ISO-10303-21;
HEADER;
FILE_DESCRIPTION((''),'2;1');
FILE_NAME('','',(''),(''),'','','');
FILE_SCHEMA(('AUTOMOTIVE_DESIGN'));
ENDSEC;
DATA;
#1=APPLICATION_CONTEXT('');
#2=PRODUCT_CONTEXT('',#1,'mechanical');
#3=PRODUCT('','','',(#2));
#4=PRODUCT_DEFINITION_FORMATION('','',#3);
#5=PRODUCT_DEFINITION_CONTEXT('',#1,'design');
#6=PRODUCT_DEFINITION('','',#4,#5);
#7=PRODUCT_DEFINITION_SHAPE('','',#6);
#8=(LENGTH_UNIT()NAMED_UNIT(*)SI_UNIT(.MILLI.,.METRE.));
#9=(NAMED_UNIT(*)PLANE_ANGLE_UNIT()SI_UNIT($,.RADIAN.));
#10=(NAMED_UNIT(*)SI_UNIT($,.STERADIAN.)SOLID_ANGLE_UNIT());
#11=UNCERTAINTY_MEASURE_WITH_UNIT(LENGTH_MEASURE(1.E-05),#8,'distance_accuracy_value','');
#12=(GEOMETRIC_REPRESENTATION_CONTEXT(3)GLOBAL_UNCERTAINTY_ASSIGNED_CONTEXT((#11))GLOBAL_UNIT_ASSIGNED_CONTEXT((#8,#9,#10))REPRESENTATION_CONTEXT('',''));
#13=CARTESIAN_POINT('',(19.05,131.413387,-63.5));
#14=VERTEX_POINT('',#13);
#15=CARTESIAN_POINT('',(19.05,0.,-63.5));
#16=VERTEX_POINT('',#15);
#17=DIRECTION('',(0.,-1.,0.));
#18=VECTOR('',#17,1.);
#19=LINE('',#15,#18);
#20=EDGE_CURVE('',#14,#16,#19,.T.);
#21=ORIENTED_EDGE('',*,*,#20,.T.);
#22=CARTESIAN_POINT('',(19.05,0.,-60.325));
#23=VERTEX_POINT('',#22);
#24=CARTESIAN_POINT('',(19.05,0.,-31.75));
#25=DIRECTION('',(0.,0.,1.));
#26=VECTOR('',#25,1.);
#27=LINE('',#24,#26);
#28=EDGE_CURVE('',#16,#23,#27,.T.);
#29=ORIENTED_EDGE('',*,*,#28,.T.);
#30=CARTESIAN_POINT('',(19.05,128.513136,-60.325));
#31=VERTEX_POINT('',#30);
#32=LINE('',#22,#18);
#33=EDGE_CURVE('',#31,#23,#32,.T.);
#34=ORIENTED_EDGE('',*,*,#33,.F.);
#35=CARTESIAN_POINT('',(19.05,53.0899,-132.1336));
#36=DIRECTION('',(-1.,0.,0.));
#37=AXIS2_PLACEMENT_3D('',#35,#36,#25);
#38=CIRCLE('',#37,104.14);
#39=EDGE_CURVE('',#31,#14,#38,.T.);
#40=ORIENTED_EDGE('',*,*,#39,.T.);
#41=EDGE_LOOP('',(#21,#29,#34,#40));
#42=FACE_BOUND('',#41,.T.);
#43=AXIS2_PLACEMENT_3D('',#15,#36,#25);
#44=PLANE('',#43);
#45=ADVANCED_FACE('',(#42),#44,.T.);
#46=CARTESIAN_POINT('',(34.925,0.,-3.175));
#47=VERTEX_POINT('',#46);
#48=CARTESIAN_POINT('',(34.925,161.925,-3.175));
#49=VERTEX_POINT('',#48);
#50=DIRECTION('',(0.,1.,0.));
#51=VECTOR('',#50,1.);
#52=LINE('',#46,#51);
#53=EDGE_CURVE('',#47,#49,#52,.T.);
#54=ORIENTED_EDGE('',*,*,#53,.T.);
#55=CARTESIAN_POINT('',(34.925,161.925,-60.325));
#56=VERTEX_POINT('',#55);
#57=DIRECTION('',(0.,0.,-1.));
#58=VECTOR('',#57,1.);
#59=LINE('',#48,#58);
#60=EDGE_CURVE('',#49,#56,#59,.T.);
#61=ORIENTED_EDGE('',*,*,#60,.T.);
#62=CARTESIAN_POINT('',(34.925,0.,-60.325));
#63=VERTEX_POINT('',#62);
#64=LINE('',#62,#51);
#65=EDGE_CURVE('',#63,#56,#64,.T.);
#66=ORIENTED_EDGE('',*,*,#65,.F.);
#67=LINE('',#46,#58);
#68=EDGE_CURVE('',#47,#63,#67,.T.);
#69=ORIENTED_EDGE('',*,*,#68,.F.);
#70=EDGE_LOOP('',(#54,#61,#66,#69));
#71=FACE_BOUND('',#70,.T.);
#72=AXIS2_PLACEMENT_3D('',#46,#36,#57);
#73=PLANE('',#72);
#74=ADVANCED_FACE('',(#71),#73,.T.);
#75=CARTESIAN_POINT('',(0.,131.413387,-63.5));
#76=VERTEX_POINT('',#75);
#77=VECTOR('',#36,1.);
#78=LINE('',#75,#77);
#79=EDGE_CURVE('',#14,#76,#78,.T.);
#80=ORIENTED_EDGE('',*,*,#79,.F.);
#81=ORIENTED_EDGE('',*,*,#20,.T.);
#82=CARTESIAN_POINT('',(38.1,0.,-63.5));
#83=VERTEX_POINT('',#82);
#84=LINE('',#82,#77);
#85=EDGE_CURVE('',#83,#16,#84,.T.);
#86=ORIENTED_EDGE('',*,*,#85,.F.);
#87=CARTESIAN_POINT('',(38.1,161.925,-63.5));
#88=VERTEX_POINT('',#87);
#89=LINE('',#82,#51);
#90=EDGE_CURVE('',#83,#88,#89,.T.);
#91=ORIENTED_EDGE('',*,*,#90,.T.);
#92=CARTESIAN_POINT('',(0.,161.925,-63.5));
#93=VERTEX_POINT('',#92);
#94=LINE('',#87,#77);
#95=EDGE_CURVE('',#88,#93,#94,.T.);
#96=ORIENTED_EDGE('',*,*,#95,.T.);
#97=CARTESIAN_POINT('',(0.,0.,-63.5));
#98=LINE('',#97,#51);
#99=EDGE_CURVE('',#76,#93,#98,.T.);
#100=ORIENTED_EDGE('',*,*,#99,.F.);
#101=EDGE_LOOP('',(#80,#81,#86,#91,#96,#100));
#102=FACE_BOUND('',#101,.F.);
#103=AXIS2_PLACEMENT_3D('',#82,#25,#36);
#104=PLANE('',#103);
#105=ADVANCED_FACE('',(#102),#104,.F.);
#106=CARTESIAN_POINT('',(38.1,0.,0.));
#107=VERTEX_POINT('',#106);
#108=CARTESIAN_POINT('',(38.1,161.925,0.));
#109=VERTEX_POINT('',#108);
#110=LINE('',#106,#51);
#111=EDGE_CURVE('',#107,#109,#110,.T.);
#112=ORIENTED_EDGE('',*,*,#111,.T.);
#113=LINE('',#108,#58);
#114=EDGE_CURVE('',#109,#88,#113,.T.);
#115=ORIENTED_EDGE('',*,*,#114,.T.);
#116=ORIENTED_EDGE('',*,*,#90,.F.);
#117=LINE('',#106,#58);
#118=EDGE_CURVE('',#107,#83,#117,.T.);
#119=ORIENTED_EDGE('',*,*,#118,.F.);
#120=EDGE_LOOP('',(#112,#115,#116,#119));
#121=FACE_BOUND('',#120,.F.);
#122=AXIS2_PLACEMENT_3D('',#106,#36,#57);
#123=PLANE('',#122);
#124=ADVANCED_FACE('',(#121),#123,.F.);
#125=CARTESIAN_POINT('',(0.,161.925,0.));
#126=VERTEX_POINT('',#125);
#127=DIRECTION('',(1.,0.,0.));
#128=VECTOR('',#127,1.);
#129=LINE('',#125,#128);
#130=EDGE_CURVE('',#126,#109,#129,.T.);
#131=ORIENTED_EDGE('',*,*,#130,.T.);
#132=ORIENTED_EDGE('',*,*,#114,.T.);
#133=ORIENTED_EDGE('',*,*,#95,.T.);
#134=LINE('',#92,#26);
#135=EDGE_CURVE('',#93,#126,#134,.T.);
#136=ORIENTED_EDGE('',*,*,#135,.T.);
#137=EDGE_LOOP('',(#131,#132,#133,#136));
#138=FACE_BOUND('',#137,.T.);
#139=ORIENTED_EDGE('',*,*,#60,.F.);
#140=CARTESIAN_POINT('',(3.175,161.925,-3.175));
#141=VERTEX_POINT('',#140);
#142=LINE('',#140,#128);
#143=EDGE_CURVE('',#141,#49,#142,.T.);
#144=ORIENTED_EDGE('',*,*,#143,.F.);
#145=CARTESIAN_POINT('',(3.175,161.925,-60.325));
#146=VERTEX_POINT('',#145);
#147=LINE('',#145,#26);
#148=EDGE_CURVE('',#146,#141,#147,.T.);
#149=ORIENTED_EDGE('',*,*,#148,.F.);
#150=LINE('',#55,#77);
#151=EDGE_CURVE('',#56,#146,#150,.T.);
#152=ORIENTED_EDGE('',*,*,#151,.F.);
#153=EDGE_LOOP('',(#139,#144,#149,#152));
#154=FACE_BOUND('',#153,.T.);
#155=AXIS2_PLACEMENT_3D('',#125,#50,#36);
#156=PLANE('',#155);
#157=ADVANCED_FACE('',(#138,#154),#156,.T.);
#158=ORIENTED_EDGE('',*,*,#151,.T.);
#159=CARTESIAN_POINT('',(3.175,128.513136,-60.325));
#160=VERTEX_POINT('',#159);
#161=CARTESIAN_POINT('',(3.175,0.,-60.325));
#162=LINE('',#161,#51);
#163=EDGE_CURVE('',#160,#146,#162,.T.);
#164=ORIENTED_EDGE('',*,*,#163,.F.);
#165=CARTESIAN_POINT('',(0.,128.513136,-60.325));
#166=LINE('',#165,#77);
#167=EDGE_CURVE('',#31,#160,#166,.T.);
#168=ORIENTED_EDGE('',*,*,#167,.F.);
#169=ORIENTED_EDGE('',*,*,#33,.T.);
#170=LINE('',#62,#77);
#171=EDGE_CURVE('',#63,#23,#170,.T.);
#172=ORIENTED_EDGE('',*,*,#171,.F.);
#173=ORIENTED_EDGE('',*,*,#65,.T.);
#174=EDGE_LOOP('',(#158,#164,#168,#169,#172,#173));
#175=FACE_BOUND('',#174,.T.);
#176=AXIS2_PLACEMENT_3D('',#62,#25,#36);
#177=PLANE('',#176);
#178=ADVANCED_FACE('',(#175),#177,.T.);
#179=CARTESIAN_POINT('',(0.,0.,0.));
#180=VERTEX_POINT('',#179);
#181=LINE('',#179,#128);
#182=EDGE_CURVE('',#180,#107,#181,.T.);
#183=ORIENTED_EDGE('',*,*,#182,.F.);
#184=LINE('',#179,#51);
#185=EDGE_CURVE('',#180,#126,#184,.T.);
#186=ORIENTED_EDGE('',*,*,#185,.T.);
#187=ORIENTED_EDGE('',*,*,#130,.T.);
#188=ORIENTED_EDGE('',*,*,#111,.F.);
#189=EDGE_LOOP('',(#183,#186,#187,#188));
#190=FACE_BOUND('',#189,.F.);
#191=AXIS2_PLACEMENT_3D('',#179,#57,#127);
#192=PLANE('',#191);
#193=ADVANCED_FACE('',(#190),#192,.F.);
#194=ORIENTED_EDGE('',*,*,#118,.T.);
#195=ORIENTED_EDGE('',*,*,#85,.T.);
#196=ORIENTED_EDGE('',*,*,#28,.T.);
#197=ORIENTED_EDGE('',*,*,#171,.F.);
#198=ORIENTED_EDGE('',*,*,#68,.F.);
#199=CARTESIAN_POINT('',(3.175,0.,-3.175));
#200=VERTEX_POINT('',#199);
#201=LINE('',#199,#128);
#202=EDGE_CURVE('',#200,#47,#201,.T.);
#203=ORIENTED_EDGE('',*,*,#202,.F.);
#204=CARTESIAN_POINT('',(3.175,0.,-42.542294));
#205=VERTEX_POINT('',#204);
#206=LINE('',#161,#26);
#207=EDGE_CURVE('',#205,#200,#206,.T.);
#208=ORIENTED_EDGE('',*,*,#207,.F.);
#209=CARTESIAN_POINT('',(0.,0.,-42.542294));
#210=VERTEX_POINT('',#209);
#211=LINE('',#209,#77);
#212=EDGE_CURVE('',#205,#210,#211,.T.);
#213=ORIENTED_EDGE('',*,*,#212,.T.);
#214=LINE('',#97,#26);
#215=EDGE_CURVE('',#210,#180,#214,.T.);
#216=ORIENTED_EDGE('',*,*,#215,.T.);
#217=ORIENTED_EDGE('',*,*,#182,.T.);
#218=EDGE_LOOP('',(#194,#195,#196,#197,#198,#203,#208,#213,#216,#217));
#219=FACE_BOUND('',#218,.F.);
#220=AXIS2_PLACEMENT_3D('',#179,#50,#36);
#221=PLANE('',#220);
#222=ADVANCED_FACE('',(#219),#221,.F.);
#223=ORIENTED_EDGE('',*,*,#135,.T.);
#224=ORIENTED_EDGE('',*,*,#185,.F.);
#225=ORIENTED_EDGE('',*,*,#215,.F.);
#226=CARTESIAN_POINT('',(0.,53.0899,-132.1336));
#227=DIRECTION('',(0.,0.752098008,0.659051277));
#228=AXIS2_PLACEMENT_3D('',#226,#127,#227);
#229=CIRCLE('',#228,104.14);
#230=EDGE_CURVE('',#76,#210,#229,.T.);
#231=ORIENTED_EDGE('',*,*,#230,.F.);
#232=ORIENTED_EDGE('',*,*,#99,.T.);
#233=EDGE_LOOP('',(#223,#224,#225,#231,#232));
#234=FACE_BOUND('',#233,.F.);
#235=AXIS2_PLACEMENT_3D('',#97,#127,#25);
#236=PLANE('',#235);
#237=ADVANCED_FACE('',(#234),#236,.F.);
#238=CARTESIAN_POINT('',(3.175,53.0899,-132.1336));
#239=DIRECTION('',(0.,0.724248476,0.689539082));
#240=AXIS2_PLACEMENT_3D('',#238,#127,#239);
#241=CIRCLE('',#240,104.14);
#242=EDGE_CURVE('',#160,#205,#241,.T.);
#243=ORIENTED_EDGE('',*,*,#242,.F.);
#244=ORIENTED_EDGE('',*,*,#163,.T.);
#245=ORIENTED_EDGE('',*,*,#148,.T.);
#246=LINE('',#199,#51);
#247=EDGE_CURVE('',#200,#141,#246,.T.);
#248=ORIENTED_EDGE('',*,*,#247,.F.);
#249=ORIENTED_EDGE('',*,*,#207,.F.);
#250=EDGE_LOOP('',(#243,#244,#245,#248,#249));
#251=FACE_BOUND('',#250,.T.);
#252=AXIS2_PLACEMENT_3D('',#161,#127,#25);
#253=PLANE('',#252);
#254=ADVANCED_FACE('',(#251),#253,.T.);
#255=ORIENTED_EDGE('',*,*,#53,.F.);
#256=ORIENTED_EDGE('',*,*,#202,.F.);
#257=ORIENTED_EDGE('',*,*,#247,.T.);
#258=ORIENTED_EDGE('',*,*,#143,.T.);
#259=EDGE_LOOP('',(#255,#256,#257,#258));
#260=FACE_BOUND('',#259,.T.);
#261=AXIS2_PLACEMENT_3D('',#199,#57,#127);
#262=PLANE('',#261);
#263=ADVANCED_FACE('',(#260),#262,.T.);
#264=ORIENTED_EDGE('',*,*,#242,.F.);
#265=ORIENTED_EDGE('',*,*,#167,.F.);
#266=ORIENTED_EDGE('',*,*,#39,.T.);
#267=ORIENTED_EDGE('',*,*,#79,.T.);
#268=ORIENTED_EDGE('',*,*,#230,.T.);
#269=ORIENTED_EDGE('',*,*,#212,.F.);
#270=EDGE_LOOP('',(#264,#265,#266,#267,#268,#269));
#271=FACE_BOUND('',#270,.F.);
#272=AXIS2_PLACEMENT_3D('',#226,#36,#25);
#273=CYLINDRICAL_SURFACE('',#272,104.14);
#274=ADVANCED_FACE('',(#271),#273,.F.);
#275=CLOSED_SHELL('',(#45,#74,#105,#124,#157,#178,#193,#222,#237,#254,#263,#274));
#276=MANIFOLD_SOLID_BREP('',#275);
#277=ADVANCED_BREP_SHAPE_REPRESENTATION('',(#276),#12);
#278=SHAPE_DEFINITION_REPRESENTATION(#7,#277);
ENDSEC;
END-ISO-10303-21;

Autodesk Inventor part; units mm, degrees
ref_plane "YZ Plane" through (0, 0, 0) normal (1, 0, 0) x (0, 1, 0)
ref_plane "XZ Plane" through (0, 0, 0) normal (0, 1, 0) x (-1, 0, 0)
ref_plane "XY Plane" through (0, 0, 0) normal (0, 0, 1) x (1, 0, 0)
sketch "Sketch1" plane through (0, 0, 0) normal (0, 1, 0) x (-1, 0, 0)
  line L0 (0, 0) -> (-38.1, 0)
  line L1 (-38.1, 0) -> (-38.1, -63.5)
  line L2 (-38.1, -63.5) -> (0, -63.5)
  line L3 (0, -63.5) -> (0, 0)
  line L4 (-3.175, -3.175) -> (-34.925, -3.175)
  line L5 (-34.925, -3.175) -> (-34.925, -60.325)
  line L6 (-34.925, -60.325) -> (-3.175, -60.325)
  line L7 (-3.175, -60.325) -> (-3.175, -3.175)
  dimension "d0" = 38.1
  dimension "d1" = 63.5
  dimension "d2" = 3.175
extrude "Extrusion1" add sketch "Sketch1" along normal blind 161.925
sketch "Sketch3" plane through (0, 0, -63.5) normal (-1, 0, 0) x (0, 0, 1)
  circle A0 centre (-68.6336, 53.0899) radius 53.4052
  circle A1 centre (-68.6336, 53.0899) radius 104.14
  point P0 (63.5, 0)
  dimension "d9" = 208.28
extrude "Extrusion4" cut sketch "Sketch3" against normal blind 19.05 contours A0 | A1
properties part number "OUTERFrame Croner Opposite"
